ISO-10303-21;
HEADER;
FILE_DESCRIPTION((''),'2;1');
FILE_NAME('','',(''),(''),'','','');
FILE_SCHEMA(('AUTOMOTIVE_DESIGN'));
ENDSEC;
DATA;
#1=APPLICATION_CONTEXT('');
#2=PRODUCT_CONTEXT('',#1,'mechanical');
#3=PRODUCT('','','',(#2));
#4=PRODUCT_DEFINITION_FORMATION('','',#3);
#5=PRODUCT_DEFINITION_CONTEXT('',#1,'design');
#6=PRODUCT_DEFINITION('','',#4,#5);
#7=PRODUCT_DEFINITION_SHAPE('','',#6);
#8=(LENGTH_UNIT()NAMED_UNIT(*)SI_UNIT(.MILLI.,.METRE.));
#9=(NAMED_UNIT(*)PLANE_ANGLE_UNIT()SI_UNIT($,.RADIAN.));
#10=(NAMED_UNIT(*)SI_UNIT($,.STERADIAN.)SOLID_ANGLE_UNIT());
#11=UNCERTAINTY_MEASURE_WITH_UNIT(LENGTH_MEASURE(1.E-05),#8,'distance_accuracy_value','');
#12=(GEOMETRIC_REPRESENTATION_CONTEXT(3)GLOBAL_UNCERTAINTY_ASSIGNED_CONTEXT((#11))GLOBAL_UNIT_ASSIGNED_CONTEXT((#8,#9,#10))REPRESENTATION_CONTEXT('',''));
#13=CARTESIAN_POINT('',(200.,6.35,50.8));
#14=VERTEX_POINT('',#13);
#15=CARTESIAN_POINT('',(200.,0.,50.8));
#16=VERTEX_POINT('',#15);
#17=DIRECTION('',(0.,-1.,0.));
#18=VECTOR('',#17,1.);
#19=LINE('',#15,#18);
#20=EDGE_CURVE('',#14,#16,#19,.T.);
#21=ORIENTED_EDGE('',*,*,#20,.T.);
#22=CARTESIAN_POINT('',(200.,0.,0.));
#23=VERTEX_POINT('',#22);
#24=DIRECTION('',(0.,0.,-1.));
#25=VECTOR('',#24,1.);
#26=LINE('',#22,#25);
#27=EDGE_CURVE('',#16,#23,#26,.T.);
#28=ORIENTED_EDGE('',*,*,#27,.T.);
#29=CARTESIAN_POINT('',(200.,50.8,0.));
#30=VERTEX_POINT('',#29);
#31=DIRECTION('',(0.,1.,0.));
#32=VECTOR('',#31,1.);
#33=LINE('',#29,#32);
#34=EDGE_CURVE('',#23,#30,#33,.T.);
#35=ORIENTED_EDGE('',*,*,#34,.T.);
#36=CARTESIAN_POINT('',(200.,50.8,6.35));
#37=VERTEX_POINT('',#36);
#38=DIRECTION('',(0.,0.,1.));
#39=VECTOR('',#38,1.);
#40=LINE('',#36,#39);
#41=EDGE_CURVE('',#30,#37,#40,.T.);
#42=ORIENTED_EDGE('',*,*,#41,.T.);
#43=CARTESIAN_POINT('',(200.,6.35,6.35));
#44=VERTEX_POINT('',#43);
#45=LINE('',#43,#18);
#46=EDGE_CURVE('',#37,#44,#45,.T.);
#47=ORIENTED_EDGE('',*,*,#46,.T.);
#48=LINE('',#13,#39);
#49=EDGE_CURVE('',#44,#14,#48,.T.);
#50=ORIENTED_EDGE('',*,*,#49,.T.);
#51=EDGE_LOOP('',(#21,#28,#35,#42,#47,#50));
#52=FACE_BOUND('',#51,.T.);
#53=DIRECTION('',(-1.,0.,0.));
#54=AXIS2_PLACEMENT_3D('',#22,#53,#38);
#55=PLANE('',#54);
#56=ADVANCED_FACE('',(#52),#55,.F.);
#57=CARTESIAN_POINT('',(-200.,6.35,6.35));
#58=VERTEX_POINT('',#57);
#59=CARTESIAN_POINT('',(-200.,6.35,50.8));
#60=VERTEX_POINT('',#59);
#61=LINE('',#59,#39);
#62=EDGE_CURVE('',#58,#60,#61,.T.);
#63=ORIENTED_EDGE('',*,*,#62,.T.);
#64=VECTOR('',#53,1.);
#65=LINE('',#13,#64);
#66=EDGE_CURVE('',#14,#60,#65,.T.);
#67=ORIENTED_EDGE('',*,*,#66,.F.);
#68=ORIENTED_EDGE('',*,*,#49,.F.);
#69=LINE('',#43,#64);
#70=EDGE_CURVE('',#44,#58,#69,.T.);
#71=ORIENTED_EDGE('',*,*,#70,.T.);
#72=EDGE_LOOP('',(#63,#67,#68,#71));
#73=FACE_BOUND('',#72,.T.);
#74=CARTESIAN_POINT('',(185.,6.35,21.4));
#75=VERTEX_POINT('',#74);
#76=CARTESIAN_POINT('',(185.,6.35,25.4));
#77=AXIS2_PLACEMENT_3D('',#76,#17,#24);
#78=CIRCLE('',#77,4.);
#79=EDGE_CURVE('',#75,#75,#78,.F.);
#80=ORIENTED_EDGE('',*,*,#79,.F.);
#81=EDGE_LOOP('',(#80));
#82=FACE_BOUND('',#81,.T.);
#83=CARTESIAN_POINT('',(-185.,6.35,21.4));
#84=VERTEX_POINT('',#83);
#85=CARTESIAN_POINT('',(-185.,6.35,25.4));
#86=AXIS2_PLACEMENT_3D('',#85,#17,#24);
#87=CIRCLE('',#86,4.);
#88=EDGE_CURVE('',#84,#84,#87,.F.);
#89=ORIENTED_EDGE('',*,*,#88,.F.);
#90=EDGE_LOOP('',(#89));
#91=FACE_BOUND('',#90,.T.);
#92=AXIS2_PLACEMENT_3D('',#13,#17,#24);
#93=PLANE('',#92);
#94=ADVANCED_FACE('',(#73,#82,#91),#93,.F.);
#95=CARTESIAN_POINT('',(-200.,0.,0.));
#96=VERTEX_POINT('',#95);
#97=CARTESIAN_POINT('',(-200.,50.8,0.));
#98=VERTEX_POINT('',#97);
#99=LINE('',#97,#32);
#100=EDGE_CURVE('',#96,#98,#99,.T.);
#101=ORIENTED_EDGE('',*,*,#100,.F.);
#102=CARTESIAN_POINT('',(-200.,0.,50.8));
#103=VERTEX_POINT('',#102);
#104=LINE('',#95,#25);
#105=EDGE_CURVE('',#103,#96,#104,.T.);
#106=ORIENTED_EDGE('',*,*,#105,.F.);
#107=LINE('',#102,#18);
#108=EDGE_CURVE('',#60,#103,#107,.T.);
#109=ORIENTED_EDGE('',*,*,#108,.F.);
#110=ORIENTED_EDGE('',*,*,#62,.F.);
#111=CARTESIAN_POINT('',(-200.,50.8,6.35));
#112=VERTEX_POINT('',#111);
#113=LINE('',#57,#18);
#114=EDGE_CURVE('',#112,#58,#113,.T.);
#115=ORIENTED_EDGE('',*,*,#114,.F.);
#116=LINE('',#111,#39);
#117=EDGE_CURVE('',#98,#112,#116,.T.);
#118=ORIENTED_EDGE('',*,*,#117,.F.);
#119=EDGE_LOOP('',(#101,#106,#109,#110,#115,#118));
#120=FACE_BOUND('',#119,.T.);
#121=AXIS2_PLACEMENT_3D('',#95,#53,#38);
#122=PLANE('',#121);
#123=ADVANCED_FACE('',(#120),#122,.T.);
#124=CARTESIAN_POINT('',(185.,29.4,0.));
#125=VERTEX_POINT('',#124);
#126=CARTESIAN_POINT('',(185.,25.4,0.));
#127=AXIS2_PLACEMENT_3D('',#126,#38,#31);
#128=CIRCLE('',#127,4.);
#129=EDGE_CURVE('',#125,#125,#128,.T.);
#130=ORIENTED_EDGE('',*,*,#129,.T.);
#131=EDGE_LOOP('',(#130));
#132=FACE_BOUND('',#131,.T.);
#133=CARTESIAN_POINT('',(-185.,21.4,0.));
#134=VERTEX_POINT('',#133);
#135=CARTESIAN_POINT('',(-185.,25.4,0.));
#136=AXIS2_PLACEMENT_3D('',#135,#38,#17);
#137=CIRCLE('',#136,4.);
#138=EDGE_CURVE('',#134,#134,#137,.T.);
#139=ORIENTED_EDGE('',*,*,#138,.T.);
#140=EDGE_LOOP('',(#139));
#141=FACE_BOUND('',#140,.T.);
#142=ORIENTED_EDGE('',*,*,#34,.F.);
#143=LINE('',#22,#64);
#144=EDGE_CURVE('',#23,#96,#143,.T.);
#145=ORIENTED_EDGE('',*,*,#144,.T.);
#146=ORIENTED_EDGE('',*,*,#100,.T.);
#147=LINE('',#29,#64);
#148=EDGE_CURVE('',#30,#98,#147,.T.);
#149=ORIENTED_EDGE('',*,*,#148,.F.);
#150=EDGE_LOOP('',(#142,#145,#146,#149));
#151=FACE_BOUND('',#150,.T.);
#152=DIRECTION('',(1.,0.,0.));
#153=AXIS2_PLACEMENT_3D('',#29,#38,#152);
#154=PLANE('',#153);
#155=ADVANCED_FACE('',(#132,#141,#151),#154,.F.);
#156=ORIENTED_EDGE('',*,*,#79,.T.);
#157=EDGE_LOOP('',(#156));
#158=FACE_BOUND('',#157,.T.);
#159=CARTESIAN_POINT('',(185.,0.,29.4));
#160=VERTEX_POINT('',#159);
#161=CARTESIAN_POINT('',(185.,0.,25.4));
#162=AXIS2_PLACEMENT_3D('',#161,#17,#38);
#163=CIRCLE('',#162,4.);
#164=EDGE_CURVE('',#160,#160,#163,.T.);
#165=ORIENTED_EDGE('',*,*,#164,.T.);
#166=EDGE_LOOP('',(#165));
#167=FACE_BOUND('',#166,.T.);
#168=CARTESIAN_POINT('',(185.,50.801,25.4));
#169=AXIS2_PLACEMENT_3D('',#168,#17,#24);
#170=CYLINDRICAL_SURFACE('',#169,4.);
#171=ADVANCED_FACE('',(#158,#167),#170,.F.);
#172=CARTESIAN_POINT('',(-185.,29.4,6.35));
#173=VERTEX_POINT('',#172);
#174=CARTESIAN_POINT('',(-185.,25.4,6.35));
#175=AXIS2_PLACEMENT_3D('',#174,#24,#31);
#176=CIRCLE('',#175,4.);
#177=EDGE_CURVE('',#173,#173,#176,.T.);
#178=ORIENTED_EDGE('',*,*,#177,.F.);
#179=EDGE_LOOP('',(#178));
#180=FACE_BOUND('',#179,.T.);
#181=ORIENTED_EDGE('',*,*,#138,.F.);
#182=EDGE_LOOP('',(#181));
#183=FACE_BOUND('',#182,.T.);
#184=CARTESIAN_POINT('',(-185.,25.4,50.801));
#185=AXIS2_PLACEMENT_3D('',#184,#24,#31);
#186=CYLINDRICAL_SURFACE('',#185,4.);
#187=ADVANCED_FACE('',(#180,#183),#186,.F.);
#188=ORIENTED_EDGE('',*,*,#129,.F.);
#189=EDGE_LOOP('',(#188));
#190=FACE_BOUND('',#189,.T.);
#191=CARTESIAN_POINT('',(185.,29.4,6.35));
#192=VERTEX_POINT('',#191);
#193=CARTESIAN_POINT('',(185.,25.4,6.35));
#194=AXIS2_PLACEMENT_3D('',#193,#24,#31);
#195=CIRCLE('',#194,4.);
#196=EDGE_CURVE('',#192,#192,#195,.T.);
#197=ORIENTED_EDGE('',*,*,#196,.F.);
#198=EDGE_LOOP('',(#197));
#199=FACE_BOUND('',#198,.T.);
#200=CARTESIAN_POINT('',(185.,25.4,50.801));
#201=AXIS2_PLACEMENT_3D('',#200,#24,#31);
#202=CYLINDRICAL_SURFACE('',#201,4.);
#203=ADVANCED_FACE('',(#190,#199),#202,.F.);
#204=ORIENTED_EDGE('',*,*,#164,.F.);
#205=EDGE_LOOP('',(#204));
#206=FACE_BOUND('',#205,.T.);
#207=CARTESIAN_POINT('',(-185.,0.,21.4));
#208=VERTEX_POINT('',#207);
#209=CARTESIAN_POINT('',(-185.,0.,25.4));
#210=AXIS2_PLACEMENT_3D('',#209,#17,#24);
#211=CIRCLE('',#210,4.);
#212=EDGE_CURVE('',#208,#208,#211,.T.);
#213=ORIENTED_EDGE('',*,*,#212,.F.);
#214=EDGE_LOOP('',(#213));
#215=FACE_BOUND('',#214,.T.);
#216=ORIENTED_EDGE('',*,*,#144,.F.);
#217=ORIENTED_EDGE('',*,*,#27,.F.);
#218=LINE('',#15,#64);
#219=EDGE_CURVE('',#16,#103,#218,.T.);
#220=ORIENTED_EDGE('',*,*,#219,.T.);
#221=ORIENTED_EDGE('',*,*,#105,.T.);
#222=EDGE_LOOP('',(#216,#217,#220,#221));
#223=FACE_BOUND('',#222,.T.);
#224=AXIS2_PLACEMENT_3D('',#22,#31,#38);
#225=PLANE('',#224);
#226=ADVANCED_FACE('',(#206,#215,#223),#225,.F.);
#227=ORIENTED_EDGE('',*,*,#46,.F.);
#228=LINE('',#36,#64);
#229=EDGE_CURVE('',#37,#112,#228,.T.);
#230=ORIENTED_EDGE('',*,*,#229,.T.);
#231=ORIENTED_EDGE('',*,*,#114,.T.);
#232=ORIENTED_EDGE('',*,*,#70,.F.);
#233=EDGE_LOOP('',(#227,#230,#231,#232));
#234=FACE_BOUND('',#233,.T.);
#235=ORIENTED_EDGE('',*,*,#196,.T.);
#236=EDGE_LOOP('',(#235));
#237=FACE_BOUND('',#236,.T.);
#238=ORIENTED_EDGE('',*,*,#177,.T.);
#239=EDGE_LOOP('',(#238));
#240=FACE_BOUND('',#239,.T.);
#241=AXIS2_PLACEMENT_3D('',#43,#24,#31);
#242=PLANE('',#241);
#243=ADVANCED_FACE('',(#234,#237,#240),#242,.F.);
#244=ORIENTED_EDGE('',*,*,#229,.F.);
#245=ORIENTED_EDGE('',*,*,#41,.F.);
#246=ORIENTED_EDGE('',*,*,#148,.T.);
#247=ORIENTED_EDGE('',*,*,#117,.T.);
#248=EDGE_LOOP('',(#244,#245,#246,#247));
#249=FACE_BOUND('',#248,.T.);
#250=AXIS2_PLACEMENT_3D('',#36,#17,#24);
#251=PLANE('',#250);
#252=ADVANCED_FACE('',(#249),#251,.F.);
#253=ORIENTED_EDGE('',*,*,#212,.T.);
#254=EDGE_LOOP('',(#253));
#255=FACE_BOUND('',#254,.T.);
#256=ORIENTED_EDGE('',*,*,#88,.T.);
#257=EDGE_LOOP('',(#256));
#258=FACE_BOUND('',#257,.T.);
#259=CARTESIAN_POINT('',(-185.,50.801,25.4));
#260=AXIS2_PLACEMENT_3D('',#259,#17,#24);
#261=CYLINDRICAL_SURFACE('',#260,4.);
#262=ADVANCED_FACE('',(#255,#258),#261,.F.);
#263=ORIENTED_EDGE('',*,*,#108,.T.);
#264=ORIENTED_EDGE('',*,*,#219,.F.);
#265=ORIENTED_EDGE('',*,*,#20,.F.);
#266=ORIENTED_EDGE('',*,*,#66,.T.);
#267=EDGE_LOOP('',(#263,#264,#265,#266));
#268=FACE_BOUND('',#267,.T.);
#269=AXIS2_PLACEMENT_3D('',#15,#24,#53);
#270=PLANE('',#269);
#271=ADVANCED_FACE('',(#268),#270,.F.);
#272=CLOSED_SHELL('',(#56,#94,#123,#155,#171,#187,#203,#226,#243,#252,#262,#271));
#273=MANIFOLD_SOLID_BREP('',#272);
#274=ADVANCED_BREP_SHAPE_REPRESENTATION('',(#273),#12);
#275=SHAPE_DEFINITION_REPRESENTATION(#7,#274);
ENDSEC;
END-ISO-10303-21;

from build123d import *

# Parameters (mm, degrees)
BOSS_EXTRUDE1_DEPTH = 200
CUT_EXTRUDE1_REACH  = 214.512
SKETCH2_R           = 4


with BuildPart() as part:
    # Sketch1 → Boss-Extrude1 (new, symmetric)
    with BuildSketch(Plane(origin=(0, 0, 0), x_dir=(0, 0, -1), z_dir=(1, 0, 0))):
        Polygon((0, 50.8), (0, 0), (-50.8, 0), (-50.8, 6.35), (-6.35, 6.35), (-6.35, 50.8), align=None)
    extrude(amount=BOSS_EXTRUDE1_DEPTH, both=True)

    # Sketch2 → Cut-Extrude1 (cut, up to next)
    with BuildSketch(Plane.XZ, mode=Mode.PRIVATE) as cut_extrude1_sk1:
        with Locations(Location((-185, 25.4, 0), (0, 0, 270))):
            Circle(SKETCH2_R)
    cut_extrude1_tool1 = extrude(cut_extrude1_sk1.sketch, amount=-CUT_EXTRUDE1_REACH, mode=Mode.PRIVATE) & part.part
    # Sketch2 → Cut-Extrude1 (cut, up to next)
    with BuildSketch(Plane.XZ, mode=Mode.PRIVATE) as cut_extrude1_sk2:
        with Locations(Location((185, 25.4, 0), (0, 0, 270))):
            Circle(SKETCH2_R)
    cut_extrude1_tool2 = extrude(cut_extrude1_sk2.sketch, amount=-CUT_EXTRUDE1_REACH, mode=Mode.PRIVATE) & part.part
    cut_extrude1_1 = cut_extrude1_tool1.solids().sort_by_distance((-185, 0, 25.4))[0]
    add(cut_extrude1_1, mode=Mode.SUBTRACT)
    cut_extrude1_2 = cut_extrude1_tool2.solids().sort_by_distance((185, 0, 25.4))[0]
    add(cut_extrude1_2, mode=Mode.SUBTRACT)
    cut_extrude1 = cut_extrude1_1 + cut_extrude1_2  # Cut-Extrude1 as one shape, for the pattern or mirror that repeats it

    # Mirror1: Cut-Extrude1 across plane
    add(cut_extrude1.mirror(Plane(origin=(0, 0, 0), x_dir=(0, 0.7071067811865471, 0.7071067811865479), z_dir=(0, -0.7071067811865479, 0.7071067811865471))), mode=Mode.SUBTRACT)


solid = part.part
